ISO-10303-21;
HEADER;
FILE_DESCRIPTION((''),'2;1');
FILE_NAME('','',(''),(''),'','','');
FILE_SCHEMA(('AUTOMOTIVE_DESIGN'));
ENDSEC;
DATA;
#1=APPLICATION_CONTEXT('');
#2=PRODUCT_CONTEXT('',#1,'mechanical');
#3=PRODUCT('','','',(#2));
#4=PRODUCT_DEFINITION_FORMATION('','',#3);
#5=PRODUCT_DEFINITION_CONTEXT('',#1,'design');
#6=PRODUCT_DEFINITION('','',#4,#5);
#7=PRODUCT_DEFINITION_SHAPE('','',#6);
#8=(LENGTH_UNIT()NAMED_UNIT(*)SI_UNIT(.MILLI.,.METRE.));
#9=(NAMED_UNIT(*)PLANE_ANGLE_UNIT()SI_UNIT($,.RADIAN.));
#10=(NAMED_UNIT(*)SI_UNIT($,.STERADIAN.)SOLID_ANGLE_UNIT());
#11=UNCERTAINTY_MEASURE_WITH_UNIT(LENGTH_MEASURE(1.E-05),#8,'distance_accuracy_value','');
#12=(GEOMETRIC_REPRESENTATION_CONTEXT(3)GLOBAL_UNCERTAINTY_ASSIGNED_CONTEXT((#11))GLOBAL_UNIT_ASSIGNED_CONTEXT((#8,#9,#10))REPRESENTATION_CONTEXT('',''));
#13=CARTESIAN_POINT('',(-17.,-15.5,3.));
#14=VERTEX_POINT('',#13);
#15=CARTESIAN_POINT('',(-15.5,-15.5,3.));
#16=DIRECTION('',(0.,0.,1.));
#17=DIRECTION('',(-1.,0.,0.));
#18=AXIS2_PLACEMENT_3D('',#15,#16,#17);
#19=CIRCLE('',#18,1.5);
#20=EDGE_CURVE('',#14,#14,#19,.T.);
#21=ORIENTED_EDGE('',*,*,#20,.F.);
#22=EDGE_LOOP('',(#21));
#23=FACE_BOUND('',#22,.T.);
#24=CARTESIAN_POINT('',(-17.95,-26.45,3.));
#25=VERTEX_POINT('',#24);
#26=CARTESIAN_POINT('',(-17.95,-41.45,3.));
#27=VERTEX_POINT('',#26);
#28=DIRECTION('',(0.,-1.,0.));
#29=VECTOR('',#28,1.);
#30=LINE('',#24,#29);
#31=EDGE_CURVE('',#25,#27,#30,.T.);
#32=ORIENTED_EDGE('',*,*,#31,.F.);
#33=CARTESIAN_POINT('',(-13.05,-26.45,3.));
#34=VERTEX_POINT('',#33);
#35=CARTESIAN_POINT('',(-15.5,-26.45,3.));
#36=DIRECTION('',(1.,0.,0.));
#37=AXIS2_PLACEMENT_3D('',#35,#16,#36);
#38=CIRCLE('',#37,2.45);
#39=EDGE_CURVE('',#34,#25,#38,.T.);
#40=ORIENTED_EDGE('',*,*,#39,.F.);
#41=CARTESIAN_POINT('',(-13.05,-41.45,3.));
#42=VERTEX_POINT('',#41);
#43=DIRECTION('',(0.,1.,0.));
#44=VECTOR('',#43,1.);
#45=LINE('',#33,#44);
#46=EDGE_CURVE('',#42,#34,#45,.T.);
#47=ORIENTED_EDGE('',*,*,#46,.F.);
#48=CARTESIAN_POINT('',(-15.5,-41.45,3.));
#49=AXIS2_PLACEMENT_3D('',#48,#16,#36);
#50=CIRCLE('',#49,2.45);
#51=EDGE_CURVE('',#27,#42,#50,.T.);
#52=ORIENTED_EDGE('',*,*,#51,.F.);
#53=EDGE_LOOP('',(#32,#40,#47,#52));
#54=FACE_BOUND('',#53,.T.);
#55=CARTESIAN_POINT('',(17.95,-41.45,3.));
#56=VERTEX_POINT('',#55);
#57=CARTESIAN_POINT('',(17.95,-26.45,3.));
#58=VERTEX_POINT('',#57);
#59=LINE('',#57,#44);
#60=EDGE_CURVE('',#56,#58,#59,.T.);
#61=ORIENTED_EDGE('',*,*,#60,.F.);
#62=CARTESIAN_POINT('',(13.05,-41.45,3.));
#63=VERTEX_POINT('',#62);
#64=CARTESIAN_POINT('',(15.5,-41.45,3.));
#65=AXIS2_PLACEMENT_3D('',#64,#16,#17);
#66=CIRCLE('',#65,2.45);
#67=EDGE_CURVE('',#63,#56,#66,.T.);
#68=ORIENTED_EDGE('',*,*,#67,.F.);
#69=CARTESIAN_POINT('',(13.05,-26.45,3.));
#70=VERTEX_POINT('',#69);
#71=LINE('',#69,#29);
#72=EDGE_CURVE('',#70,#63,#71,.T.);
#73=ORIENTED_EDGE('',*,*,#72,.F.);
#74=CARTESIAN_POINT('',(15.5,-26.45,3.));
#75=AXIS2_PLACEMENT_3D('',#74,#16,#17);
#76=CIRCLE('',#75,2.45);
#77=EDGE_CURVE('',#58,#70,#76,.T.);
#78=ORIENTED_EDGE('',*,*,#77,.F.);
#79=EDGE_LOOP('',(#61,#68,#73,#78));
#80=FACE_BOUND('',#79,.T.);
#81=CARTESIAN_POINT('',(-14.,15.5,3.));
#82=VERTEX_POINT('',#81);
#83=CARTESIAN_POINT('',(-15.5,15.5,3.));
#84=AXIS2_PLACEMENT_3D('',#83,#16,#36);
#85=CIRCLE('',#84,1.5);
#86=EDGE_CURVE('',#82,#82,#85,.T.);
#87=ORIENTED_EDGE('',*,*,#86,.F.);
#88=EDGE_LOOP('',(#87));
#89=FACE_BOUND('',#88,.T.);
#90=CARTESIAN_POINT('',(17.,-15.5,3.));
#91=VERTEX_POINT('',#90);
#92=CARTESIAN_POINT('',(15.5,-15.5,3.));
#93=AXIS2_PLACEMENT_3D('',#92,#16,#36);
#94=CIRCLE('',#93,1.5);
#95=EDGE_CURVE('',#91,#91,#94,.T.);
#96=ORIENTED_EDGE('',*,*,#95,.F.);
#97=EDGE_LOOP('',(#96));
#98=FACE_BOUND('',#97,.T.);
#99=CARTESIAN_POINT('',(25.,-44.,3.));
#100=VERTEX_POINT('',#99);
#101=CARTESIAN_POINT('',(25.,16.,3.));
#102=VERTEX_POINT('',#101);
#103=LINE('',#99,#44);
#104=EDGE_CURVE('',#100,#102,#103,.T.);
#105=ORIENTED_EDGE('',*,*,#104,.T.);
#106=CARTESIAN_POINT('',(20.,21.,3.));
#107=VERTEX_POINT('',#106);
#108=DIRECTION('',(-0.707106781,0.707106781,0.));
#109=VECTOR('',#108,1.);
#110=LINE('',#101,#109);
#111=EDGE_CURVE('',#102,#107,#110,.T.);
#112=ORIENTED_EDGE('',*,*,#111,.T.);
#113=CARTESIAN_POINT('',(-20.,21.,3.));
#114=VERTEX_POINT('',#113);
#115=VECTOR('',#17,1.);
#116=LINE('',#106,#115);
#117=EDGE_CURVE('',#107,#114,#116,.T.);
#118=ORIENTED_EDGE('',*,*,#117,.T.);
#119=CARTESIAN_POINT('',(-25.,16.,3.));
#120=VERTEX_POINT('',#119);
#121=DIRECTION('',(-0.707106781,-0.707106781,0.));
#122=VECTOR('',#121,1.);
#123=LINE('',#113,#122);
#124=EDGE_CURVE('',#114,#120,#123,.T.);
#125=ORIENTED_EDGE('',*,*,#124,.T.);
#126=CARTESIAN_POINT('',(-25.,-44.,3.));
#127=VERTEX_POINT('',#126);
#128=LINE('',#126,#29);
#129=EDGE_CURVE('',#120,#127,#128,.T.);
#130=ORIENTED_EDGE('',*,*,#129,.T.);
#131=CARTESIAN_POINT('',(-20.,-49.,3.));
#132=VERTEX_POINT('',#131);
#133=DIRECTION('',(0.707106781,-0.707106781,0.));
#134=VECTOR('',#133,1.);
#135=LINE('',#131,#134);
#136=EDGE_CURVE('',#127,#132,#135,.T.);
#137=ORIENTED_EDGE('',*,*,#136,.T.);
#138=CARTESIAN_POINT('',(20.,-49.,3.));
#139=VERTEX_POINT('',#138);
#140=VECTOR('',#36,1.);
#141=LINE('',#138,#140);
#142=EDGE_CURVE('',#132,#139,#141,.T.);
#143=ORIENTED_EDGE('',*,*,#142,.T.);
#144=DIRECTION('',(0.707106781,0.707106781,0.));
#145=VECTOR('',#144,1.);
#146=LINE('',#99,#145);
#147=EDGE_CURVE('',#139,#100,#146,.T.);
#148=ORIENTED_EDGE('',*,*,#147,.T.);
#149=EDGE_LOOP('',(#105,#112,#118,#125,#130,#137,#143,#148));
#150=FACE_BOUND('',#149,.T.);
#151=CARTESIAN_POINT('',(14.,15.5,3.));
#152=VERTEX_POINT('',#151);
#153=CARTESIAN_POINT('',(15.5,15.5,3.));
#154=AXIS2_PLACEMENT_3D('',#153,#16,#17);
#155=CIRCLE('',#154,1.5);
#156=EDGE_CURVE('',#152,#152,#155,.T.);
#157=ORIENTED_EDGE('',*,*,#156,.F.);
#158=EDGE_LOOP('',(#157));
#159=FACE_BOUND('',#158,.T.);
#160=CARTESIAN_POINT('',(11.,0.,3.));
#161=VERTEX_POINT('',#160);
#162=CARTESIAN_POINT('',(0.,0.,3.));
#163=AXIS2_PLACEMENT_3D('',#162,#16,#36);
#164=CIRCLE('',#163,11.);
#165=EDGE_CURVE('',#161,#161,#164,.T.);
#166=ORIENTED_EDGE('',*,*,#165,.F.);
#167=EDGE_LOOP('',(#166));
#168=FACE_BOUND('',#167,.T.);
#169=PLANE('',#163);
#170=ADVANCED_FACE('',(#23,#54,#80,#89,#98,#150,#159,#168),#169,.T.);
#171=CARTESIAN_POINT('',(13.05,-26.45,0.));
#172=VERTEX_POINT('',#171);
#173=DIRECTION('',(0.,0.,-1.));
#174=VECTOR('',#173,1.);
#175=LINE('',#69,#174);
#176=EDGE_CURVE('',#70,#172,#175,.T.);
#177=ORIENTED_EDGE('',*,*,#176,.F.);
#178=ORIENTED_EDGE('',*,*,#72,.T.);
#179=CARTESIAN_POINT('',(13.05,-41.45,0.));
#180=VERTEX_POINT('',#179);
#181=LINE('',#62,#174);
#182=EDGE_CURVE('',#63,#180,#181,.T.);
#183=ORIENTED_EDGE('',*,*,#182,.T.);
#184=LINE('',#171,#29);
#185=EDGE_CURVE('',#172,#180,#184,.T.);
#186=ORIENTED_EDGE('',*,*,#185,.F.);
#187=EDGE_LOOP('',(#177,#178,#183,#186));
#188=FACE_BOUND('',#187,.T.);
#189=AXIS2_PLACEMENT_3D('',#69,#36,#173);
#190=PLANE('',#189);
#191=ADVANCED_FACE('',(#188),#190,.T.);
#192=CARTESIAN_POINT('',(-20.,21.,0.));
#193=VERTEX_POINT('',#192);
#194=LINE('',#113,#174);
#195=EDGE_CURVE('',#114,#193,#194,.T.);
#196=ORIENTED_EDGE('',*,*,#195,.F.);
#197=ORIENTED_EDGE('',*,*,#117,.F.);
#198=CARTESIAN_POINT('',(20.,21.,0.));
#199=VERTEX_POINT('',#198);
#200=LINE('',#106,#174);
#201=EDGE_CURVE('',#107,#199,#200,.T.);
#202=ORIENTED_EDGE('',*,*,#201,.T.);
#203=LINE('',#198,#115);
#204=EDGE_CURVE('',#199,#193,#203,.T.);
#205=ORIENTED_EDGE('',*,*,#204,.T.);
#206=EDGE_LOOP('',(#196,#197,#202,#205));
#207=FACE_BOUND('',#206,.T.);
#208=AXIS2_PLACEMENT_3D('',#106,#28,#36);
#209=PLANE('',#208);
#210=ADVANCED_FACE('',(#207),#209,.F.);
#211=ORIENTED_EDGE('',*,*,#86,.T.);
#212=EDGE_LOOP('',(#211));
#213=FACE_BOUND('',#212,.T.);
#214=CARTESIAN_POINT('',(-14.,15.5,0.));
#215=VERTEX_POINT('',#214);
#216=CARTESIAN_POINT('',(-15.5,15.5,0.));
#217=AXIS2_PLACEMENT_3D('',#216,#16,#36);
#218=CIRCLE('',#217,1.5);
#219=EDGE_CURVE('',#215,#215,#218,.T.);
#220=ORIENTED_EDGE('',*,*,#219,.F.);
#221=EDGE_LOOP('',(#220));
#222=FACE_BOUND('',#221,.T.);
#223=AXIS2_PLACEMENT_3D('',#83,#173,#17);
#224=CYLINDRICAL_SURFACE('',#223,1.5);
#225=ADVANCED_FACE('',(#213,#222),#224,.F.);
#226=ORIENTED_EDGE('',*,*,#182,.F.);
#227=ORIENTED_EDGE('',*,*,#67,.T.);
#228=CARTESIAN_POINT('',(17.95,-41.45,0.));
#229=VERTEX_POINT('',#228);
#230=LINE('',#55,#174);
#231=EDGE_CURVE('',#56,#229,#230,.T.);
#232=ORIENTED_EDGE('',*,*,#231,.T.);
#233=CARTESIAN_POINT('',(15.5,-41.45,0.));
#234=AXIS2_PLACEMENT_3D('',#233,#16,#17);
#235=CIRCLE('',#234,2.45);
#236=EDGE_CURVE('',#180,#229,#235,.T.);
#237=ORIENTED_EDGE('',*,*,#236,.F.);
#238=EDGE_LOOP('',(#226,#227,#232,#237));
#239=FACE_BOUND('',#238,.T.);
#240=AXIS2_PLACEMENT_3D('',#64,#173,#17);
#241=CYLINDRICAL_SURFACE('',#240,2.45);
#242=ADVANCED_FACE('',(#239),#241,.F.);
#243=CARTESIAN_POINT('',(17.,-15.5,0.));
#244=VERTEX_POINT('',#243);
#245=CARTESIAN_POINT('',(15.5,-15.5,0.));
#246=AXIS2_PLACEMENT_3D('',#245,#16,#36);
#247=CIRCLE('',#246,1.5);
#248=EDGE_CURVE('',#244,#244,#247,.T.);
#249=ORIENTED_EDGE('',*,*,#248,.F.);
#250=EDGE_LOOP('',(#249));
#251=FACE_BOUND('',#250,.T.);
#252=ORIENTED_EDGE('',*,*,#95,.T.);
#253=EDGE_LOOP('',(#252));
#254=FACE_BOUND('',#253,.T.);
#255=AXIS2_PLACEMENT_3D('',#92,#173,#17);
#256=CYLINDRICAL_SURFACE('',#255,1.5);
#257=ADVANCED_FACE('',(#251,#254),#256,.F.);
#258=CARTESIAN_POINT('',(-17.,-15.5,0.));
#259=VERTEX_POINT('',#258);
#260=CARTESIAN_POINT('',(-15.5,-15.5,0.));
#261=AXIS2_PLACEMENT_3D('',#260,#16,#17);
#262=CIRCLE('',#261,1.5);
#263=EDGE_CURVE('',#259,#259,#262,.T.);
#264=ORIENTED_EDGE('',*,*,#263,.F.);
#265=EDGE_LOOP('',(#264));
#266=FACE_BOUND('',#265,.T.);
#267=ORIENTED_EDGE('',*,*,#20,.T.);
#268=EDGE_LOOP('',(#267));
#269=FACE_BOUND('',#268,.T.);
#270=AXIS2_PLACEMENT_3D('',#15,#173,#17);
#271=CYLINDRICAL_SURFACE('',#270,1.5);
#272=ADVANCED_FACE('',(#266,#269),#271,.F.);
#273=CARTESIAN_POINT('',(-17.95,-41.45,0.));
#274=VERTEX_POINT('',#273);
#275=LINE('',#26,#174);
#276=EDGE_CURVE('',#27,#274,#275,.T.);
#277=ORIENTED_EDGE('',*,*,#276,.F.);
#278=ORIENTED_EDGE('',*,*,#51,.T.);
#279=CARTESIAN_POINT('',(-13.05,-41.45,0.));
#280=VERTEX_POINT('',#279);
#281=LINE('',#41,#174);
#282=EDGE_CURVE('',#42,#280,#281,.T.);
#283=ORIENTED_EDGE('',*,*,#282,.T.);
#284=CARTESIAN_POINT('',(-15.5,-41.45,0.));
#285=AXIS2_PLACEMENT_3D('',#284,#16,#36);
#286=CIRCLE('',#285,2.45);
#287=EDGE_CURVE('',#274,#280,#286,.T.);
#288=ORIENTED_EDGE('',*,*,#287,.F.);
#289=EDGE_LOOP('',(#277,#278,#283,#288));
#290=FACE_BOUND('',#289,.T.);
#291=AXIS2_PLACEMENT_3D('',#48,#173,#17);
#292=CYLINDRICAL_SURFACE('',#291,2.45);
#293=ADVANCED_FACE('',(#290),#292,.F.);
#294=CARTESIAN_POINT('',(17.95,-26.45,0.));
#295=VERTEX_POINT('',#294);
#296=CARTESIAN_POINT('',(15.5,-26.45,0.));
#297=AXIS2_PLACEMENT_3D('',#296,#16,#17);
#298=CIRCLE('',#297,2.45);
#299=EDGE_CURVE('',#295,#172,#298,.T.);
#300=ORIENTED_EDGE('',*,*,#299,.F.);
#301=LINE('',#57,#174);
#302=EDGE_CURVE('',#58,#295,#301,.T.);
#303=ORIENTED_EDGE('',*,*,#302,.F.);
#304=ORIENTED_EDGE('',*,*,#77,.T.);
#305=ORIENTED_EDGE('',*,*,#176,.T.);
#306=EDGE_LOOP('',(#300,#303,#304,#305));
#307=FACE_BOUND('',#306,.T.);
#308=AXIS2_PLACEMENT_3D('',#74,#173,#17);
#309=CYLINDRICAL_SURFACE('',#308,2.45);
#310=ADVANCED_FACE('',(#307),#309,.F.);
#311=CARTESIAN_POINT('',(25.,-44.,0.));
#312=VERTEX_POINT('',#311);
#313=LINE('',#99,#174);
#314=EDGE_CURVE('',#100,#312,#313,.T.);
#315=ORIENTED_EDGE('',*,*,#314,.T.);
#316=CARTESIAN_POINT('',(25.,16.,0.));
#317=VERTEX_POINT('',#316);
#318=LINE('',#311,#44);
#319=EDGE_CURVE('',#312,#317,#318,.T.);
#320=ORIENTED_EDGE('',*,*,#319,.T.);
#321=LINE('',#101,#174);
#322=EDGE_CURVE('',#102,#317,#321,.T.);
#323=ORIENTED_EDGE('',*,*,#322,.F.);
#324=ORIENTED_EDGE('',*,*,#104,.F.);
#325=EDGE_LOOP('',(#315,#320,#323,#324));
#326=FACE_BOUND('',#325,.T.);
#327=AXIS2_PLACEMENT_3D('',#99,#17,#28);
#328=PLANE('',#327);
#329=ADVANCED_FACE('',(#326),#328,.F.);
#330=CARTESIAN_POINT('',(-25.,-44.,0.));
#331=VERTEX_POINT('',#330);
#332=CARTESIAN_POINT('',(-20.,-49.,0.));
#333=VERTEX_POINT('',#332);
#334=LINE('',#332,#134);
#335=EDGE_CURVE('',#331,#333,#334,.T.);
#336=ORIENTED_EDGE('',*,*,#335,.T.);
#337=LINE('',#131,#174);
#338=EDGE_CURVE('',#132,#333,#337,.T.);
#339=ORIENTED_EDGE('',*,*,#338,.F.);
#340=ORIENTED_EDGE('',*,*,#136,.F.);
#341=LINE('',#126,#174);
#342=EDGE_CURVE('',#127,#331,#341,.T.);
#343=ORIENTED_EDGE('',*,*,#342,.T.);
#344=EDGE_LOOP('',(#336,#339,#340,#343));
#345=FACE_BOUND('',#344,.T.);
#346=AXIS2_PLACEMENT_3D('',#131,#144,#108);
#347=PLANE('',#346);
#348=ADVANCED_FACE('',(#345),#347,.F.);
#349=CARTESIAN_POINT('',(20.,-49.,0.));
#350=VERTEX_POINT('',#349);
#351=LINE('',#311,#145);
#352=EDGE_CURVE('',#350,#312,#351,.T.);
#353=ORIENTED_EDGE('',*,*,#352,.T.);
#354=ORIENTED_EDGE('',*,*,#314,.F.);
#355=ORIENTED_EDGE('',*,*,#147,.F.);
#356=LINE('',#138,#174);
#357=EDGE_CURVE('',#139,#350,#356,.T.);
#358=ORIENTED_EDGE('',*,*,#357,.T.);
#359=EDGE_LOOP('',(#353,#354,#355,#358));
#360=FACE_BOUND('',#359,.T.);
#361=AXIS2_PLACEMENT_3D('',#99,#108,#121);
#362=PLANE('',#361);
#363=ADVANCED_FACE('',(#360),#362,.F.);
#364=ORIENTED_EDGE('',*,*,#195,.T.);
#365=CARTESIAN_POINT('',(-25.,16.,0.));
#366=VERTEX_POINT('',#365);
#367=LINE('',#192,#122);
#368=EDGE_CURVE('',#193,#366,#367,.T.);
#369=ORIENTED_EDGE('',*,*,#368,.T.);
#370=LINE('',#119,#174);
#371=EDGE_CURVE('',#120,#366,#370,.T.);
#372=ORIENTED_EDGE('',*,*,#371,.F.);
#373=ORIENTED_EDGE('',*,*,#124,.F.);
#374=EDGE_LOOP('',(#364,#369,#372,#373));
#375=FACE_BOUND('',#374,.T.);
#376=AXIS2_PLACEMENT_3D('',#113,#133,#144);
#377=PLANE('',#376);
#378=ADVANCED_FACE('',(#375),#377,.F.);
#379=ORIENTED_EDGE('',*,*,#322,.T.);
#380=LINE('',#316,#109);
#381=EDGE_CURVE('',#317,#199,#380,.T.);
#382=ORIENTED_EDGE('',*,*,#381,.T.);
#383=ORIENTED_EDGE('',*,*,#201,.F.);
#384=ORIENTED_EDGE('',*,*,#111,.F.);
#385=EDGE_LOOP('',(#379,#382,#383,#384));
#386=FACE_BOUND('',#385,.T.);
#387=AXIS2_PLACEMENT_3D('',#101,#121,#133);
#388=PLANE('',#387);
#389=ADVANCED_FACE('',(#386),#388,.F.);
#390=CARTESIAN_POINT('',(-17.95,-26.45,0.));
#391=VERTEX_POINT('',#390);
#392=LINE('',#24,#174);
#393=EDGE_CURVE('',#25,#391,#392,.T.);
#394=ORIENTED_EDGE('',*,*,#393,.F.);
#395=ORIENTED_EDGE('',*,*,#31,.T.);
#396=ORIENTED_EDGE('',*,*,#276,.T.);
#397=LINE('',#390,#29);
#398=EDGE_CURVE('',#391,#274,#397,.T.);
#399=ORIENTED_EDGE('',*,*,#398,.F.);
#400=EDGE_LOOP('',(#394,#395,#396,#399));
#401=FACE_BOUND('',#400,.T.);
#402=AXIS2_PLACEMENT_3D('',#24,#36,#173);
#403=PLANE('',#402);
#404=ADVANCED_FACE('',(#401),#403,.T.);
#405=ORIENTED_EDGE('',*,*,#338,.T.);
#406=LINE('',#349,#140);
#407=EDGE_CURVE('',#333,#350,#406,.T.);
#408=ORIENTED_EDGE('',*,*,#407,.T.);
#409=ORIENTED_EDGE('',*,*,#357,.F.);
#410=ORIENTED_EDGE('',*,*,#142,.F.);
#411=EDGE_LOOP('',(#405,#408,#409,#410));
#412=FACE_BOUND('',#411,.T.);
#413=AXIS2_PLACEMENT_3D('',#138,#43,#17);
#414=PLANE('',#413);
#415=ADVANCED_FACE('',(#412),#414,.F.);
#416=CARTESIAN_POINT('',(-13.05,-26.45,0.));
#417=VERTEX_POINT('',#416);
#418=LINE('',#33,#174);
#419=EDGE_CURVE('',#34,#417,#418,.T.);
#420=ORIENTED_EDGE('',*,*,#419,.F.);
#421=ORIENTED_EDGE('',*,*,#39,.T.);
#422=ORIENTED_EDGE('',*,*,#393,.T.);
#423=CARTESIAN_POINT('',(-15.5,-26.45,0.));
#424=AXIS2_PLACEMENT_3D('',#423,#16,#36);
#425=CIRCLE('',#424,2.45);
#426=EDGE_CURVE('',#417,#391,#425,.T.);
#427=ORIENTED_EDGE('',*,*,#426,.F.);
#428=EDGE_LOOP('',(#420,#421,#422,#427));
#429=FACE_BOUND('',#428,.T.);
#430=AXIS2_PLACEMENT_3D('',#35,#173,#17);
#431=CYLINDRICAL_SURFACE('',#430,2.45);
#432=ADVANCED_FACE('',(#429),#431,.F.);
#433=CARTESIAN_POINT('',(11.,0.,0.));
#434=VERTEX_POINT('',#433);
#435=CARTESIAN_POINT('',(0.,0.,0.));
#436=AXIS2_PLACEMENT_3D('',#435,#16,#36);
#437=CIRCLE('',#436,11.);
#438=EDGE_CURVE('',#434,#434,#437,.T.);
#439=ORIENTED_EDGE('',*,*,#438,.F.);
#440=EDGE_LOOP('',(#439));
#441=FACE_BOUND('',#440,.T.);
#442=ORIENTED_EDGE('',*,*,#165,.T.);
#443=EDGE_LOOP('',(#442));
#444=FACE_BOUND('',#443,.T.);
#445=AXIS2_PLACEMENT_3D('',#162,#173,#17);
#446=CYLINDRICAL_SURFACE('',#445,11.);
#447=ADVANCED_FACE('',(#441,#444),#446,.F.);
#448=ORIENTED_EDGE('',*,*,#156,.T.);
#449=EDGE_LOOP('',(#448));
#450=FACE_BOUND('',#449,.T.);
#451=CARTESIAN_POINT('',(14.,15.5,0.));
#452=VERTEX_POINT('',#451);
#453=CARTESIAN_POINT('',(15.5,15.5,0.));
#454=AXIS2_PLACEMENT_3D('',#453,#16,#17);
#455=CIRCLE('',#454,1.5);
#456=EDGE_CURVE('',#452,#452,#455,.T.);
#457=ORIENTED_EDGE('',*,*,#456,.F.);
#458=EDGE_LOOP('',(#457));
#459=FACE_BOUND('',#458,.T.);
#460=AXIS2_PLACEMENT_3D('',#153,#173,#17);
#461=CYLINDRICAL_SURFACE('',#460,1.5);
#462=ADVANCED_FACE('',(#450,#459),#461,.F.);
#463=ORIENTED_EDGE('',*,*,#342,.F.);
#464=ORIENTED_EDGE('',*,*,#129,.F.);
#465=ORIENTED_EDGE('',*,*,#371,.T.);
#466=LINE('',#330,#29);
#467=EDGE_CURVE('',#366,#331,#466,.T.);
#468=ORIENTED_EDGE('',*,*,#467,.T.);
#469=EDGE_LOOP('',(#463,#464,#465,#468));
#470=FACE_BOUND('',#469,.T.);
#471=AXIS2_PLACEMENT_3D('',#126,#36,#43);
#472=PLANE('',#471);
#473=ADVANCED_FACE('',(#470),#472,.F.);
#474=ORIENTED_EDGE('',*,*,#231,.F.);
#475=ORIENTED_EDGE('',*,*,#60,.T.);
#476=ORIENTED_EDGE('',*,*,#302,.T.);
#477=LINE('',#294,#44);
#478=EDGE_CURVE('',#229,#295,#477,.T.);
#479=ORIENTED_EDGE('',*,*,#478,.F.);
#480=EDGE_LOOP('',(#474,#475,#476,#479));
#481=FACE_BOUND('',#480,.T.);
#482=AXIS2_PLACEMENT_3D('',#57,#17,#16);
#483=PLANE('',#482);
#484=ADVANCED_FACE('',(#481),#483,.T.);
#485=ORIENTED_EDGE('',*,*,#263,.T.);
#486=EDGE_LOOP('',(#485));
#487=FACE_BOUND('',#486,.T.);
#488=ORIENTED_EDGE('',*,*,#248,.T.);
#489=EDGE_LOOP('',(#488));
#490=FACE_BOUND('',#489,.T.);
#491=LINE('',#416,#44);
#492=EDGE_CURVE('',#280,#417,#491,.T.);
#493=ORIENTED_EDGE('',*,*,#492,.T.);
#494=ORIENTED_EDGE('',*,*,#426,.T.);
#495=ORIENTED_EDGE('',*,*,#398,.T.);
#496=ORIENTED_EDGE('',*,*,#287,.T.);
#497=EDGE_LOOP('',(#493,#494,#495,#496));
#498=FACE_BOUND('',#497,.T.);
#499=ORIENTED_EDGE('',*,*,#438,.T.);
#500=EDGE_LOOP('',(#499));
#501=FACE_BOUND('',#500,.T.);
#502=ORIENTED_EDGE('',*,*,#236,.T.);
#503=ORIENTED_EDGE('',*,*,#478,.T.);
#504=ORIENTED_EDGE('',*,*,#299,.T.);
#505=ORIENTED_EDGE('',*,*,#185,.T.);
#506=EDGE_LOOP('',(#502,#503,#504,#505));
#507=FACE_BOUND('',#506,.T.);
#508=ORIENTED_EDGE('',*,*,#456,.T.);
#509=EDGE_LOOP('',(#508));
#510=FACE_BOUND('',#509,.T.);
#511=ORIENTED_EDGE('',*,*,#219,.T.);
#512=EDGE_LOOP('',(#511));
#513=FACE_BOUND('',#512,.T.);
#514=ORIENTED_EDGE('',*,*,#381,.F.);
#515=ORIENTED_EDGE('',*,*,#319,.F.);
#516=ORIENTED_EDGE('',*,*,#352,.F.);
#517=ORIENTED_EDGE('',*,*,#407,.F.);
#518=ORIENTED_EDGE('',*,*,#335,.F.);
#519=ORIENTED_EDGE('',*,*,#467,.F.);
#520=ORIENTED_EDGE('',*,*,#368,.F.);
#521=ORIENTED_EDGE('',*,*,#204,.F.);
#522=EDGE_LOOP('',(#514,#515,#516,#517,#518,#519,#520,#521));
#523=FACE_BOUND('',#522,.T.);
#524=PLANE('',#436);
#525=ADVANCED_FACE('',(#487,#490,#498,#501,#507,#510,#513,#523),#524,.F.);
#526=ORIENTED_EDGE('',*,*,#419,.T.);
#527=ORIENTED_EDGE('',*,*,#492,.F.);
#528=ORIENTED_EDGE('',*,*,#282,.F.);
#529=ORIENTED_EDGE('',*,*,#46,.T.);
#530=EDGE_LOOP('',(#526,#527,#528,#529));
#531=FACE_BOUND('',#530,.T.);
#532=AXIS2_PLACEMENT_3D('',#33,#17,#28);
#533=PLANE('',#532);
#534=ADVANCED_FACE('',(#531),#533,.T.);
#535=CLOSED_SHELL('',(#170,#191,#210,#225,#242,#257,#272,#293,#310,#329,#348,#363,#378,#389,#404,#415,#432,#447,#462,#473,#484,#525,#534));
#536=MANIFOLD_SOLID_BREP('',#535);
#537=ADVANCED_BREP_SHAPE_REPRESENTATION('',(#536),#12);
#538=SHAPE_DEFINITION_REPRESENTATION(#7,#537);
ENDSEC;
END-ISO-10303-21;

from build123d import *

# Parameters (mm, degrees)
SKETCH1_R           = 11
SKETCH1_R_2         = 1.5
BOSS_EXTRUDE1_DEPTH = 3


with BuildPart() as part:
    # Sketch1 → Boss-Extrude1 (new body)
    with BuildSketch(Plane.XY):
        Polygon((20, -49), (-20, -49), (-25, -44), (-25, 16), (-20, 21), (20, 21), (25, 16), (25, -44), align=None)
        Circle(SKETCH1_R, mode=Mode.SUBTRACT)
        with Locations((-15.5, 15.5)):
            Circle(SKETCH1_R_2, mode=Mode.SUBTRACT)
        with Locations((15.5, 15.5)):
            Circle(SKETCH1_R_2, mode=Mode.SUBTRACT)
        with Locations((-15.5, -15.5)):
            Circle(SKETCH1_R_2, mode=Mode.SUBTRACT)
        with Locations((15.5, -15.5)):
            Circle(SKETCH1_R_2, mode=Mode.SUBTRACT)
        with BuildLine():
            Line((-13.05, -26.45), (-13.05, -41.45))
            ThreePointArc((-13.05, -41.45), (-15.5, -43.9), (-17.95, -41.45))
            Line((-17.95, -41.45), (-17.95, -26.45))
            ThreePointArc((-17.95, -26.45), (-15.5, -24), (-13.05, -26.45))
        make_face(mode=Mode.SUBTRACT)
        with BuildLine():
            Line((13.05, -26.45), (13.05, -41.45))
            ThreePointArc((13.05, -41.45), (15.5, -43.9), (17.95, -41.45))
            Line((17.95, -41.45), (17.95, -26.45))
            ThreePointArc((17.95, -26.45), (15.5, -24), (13.05, -26.45))
        make_face(mode=Mode.SUBTRACT)
    extrude(amount=BOSS_EXTRUDE1_DEPTH)


solid = part.part
